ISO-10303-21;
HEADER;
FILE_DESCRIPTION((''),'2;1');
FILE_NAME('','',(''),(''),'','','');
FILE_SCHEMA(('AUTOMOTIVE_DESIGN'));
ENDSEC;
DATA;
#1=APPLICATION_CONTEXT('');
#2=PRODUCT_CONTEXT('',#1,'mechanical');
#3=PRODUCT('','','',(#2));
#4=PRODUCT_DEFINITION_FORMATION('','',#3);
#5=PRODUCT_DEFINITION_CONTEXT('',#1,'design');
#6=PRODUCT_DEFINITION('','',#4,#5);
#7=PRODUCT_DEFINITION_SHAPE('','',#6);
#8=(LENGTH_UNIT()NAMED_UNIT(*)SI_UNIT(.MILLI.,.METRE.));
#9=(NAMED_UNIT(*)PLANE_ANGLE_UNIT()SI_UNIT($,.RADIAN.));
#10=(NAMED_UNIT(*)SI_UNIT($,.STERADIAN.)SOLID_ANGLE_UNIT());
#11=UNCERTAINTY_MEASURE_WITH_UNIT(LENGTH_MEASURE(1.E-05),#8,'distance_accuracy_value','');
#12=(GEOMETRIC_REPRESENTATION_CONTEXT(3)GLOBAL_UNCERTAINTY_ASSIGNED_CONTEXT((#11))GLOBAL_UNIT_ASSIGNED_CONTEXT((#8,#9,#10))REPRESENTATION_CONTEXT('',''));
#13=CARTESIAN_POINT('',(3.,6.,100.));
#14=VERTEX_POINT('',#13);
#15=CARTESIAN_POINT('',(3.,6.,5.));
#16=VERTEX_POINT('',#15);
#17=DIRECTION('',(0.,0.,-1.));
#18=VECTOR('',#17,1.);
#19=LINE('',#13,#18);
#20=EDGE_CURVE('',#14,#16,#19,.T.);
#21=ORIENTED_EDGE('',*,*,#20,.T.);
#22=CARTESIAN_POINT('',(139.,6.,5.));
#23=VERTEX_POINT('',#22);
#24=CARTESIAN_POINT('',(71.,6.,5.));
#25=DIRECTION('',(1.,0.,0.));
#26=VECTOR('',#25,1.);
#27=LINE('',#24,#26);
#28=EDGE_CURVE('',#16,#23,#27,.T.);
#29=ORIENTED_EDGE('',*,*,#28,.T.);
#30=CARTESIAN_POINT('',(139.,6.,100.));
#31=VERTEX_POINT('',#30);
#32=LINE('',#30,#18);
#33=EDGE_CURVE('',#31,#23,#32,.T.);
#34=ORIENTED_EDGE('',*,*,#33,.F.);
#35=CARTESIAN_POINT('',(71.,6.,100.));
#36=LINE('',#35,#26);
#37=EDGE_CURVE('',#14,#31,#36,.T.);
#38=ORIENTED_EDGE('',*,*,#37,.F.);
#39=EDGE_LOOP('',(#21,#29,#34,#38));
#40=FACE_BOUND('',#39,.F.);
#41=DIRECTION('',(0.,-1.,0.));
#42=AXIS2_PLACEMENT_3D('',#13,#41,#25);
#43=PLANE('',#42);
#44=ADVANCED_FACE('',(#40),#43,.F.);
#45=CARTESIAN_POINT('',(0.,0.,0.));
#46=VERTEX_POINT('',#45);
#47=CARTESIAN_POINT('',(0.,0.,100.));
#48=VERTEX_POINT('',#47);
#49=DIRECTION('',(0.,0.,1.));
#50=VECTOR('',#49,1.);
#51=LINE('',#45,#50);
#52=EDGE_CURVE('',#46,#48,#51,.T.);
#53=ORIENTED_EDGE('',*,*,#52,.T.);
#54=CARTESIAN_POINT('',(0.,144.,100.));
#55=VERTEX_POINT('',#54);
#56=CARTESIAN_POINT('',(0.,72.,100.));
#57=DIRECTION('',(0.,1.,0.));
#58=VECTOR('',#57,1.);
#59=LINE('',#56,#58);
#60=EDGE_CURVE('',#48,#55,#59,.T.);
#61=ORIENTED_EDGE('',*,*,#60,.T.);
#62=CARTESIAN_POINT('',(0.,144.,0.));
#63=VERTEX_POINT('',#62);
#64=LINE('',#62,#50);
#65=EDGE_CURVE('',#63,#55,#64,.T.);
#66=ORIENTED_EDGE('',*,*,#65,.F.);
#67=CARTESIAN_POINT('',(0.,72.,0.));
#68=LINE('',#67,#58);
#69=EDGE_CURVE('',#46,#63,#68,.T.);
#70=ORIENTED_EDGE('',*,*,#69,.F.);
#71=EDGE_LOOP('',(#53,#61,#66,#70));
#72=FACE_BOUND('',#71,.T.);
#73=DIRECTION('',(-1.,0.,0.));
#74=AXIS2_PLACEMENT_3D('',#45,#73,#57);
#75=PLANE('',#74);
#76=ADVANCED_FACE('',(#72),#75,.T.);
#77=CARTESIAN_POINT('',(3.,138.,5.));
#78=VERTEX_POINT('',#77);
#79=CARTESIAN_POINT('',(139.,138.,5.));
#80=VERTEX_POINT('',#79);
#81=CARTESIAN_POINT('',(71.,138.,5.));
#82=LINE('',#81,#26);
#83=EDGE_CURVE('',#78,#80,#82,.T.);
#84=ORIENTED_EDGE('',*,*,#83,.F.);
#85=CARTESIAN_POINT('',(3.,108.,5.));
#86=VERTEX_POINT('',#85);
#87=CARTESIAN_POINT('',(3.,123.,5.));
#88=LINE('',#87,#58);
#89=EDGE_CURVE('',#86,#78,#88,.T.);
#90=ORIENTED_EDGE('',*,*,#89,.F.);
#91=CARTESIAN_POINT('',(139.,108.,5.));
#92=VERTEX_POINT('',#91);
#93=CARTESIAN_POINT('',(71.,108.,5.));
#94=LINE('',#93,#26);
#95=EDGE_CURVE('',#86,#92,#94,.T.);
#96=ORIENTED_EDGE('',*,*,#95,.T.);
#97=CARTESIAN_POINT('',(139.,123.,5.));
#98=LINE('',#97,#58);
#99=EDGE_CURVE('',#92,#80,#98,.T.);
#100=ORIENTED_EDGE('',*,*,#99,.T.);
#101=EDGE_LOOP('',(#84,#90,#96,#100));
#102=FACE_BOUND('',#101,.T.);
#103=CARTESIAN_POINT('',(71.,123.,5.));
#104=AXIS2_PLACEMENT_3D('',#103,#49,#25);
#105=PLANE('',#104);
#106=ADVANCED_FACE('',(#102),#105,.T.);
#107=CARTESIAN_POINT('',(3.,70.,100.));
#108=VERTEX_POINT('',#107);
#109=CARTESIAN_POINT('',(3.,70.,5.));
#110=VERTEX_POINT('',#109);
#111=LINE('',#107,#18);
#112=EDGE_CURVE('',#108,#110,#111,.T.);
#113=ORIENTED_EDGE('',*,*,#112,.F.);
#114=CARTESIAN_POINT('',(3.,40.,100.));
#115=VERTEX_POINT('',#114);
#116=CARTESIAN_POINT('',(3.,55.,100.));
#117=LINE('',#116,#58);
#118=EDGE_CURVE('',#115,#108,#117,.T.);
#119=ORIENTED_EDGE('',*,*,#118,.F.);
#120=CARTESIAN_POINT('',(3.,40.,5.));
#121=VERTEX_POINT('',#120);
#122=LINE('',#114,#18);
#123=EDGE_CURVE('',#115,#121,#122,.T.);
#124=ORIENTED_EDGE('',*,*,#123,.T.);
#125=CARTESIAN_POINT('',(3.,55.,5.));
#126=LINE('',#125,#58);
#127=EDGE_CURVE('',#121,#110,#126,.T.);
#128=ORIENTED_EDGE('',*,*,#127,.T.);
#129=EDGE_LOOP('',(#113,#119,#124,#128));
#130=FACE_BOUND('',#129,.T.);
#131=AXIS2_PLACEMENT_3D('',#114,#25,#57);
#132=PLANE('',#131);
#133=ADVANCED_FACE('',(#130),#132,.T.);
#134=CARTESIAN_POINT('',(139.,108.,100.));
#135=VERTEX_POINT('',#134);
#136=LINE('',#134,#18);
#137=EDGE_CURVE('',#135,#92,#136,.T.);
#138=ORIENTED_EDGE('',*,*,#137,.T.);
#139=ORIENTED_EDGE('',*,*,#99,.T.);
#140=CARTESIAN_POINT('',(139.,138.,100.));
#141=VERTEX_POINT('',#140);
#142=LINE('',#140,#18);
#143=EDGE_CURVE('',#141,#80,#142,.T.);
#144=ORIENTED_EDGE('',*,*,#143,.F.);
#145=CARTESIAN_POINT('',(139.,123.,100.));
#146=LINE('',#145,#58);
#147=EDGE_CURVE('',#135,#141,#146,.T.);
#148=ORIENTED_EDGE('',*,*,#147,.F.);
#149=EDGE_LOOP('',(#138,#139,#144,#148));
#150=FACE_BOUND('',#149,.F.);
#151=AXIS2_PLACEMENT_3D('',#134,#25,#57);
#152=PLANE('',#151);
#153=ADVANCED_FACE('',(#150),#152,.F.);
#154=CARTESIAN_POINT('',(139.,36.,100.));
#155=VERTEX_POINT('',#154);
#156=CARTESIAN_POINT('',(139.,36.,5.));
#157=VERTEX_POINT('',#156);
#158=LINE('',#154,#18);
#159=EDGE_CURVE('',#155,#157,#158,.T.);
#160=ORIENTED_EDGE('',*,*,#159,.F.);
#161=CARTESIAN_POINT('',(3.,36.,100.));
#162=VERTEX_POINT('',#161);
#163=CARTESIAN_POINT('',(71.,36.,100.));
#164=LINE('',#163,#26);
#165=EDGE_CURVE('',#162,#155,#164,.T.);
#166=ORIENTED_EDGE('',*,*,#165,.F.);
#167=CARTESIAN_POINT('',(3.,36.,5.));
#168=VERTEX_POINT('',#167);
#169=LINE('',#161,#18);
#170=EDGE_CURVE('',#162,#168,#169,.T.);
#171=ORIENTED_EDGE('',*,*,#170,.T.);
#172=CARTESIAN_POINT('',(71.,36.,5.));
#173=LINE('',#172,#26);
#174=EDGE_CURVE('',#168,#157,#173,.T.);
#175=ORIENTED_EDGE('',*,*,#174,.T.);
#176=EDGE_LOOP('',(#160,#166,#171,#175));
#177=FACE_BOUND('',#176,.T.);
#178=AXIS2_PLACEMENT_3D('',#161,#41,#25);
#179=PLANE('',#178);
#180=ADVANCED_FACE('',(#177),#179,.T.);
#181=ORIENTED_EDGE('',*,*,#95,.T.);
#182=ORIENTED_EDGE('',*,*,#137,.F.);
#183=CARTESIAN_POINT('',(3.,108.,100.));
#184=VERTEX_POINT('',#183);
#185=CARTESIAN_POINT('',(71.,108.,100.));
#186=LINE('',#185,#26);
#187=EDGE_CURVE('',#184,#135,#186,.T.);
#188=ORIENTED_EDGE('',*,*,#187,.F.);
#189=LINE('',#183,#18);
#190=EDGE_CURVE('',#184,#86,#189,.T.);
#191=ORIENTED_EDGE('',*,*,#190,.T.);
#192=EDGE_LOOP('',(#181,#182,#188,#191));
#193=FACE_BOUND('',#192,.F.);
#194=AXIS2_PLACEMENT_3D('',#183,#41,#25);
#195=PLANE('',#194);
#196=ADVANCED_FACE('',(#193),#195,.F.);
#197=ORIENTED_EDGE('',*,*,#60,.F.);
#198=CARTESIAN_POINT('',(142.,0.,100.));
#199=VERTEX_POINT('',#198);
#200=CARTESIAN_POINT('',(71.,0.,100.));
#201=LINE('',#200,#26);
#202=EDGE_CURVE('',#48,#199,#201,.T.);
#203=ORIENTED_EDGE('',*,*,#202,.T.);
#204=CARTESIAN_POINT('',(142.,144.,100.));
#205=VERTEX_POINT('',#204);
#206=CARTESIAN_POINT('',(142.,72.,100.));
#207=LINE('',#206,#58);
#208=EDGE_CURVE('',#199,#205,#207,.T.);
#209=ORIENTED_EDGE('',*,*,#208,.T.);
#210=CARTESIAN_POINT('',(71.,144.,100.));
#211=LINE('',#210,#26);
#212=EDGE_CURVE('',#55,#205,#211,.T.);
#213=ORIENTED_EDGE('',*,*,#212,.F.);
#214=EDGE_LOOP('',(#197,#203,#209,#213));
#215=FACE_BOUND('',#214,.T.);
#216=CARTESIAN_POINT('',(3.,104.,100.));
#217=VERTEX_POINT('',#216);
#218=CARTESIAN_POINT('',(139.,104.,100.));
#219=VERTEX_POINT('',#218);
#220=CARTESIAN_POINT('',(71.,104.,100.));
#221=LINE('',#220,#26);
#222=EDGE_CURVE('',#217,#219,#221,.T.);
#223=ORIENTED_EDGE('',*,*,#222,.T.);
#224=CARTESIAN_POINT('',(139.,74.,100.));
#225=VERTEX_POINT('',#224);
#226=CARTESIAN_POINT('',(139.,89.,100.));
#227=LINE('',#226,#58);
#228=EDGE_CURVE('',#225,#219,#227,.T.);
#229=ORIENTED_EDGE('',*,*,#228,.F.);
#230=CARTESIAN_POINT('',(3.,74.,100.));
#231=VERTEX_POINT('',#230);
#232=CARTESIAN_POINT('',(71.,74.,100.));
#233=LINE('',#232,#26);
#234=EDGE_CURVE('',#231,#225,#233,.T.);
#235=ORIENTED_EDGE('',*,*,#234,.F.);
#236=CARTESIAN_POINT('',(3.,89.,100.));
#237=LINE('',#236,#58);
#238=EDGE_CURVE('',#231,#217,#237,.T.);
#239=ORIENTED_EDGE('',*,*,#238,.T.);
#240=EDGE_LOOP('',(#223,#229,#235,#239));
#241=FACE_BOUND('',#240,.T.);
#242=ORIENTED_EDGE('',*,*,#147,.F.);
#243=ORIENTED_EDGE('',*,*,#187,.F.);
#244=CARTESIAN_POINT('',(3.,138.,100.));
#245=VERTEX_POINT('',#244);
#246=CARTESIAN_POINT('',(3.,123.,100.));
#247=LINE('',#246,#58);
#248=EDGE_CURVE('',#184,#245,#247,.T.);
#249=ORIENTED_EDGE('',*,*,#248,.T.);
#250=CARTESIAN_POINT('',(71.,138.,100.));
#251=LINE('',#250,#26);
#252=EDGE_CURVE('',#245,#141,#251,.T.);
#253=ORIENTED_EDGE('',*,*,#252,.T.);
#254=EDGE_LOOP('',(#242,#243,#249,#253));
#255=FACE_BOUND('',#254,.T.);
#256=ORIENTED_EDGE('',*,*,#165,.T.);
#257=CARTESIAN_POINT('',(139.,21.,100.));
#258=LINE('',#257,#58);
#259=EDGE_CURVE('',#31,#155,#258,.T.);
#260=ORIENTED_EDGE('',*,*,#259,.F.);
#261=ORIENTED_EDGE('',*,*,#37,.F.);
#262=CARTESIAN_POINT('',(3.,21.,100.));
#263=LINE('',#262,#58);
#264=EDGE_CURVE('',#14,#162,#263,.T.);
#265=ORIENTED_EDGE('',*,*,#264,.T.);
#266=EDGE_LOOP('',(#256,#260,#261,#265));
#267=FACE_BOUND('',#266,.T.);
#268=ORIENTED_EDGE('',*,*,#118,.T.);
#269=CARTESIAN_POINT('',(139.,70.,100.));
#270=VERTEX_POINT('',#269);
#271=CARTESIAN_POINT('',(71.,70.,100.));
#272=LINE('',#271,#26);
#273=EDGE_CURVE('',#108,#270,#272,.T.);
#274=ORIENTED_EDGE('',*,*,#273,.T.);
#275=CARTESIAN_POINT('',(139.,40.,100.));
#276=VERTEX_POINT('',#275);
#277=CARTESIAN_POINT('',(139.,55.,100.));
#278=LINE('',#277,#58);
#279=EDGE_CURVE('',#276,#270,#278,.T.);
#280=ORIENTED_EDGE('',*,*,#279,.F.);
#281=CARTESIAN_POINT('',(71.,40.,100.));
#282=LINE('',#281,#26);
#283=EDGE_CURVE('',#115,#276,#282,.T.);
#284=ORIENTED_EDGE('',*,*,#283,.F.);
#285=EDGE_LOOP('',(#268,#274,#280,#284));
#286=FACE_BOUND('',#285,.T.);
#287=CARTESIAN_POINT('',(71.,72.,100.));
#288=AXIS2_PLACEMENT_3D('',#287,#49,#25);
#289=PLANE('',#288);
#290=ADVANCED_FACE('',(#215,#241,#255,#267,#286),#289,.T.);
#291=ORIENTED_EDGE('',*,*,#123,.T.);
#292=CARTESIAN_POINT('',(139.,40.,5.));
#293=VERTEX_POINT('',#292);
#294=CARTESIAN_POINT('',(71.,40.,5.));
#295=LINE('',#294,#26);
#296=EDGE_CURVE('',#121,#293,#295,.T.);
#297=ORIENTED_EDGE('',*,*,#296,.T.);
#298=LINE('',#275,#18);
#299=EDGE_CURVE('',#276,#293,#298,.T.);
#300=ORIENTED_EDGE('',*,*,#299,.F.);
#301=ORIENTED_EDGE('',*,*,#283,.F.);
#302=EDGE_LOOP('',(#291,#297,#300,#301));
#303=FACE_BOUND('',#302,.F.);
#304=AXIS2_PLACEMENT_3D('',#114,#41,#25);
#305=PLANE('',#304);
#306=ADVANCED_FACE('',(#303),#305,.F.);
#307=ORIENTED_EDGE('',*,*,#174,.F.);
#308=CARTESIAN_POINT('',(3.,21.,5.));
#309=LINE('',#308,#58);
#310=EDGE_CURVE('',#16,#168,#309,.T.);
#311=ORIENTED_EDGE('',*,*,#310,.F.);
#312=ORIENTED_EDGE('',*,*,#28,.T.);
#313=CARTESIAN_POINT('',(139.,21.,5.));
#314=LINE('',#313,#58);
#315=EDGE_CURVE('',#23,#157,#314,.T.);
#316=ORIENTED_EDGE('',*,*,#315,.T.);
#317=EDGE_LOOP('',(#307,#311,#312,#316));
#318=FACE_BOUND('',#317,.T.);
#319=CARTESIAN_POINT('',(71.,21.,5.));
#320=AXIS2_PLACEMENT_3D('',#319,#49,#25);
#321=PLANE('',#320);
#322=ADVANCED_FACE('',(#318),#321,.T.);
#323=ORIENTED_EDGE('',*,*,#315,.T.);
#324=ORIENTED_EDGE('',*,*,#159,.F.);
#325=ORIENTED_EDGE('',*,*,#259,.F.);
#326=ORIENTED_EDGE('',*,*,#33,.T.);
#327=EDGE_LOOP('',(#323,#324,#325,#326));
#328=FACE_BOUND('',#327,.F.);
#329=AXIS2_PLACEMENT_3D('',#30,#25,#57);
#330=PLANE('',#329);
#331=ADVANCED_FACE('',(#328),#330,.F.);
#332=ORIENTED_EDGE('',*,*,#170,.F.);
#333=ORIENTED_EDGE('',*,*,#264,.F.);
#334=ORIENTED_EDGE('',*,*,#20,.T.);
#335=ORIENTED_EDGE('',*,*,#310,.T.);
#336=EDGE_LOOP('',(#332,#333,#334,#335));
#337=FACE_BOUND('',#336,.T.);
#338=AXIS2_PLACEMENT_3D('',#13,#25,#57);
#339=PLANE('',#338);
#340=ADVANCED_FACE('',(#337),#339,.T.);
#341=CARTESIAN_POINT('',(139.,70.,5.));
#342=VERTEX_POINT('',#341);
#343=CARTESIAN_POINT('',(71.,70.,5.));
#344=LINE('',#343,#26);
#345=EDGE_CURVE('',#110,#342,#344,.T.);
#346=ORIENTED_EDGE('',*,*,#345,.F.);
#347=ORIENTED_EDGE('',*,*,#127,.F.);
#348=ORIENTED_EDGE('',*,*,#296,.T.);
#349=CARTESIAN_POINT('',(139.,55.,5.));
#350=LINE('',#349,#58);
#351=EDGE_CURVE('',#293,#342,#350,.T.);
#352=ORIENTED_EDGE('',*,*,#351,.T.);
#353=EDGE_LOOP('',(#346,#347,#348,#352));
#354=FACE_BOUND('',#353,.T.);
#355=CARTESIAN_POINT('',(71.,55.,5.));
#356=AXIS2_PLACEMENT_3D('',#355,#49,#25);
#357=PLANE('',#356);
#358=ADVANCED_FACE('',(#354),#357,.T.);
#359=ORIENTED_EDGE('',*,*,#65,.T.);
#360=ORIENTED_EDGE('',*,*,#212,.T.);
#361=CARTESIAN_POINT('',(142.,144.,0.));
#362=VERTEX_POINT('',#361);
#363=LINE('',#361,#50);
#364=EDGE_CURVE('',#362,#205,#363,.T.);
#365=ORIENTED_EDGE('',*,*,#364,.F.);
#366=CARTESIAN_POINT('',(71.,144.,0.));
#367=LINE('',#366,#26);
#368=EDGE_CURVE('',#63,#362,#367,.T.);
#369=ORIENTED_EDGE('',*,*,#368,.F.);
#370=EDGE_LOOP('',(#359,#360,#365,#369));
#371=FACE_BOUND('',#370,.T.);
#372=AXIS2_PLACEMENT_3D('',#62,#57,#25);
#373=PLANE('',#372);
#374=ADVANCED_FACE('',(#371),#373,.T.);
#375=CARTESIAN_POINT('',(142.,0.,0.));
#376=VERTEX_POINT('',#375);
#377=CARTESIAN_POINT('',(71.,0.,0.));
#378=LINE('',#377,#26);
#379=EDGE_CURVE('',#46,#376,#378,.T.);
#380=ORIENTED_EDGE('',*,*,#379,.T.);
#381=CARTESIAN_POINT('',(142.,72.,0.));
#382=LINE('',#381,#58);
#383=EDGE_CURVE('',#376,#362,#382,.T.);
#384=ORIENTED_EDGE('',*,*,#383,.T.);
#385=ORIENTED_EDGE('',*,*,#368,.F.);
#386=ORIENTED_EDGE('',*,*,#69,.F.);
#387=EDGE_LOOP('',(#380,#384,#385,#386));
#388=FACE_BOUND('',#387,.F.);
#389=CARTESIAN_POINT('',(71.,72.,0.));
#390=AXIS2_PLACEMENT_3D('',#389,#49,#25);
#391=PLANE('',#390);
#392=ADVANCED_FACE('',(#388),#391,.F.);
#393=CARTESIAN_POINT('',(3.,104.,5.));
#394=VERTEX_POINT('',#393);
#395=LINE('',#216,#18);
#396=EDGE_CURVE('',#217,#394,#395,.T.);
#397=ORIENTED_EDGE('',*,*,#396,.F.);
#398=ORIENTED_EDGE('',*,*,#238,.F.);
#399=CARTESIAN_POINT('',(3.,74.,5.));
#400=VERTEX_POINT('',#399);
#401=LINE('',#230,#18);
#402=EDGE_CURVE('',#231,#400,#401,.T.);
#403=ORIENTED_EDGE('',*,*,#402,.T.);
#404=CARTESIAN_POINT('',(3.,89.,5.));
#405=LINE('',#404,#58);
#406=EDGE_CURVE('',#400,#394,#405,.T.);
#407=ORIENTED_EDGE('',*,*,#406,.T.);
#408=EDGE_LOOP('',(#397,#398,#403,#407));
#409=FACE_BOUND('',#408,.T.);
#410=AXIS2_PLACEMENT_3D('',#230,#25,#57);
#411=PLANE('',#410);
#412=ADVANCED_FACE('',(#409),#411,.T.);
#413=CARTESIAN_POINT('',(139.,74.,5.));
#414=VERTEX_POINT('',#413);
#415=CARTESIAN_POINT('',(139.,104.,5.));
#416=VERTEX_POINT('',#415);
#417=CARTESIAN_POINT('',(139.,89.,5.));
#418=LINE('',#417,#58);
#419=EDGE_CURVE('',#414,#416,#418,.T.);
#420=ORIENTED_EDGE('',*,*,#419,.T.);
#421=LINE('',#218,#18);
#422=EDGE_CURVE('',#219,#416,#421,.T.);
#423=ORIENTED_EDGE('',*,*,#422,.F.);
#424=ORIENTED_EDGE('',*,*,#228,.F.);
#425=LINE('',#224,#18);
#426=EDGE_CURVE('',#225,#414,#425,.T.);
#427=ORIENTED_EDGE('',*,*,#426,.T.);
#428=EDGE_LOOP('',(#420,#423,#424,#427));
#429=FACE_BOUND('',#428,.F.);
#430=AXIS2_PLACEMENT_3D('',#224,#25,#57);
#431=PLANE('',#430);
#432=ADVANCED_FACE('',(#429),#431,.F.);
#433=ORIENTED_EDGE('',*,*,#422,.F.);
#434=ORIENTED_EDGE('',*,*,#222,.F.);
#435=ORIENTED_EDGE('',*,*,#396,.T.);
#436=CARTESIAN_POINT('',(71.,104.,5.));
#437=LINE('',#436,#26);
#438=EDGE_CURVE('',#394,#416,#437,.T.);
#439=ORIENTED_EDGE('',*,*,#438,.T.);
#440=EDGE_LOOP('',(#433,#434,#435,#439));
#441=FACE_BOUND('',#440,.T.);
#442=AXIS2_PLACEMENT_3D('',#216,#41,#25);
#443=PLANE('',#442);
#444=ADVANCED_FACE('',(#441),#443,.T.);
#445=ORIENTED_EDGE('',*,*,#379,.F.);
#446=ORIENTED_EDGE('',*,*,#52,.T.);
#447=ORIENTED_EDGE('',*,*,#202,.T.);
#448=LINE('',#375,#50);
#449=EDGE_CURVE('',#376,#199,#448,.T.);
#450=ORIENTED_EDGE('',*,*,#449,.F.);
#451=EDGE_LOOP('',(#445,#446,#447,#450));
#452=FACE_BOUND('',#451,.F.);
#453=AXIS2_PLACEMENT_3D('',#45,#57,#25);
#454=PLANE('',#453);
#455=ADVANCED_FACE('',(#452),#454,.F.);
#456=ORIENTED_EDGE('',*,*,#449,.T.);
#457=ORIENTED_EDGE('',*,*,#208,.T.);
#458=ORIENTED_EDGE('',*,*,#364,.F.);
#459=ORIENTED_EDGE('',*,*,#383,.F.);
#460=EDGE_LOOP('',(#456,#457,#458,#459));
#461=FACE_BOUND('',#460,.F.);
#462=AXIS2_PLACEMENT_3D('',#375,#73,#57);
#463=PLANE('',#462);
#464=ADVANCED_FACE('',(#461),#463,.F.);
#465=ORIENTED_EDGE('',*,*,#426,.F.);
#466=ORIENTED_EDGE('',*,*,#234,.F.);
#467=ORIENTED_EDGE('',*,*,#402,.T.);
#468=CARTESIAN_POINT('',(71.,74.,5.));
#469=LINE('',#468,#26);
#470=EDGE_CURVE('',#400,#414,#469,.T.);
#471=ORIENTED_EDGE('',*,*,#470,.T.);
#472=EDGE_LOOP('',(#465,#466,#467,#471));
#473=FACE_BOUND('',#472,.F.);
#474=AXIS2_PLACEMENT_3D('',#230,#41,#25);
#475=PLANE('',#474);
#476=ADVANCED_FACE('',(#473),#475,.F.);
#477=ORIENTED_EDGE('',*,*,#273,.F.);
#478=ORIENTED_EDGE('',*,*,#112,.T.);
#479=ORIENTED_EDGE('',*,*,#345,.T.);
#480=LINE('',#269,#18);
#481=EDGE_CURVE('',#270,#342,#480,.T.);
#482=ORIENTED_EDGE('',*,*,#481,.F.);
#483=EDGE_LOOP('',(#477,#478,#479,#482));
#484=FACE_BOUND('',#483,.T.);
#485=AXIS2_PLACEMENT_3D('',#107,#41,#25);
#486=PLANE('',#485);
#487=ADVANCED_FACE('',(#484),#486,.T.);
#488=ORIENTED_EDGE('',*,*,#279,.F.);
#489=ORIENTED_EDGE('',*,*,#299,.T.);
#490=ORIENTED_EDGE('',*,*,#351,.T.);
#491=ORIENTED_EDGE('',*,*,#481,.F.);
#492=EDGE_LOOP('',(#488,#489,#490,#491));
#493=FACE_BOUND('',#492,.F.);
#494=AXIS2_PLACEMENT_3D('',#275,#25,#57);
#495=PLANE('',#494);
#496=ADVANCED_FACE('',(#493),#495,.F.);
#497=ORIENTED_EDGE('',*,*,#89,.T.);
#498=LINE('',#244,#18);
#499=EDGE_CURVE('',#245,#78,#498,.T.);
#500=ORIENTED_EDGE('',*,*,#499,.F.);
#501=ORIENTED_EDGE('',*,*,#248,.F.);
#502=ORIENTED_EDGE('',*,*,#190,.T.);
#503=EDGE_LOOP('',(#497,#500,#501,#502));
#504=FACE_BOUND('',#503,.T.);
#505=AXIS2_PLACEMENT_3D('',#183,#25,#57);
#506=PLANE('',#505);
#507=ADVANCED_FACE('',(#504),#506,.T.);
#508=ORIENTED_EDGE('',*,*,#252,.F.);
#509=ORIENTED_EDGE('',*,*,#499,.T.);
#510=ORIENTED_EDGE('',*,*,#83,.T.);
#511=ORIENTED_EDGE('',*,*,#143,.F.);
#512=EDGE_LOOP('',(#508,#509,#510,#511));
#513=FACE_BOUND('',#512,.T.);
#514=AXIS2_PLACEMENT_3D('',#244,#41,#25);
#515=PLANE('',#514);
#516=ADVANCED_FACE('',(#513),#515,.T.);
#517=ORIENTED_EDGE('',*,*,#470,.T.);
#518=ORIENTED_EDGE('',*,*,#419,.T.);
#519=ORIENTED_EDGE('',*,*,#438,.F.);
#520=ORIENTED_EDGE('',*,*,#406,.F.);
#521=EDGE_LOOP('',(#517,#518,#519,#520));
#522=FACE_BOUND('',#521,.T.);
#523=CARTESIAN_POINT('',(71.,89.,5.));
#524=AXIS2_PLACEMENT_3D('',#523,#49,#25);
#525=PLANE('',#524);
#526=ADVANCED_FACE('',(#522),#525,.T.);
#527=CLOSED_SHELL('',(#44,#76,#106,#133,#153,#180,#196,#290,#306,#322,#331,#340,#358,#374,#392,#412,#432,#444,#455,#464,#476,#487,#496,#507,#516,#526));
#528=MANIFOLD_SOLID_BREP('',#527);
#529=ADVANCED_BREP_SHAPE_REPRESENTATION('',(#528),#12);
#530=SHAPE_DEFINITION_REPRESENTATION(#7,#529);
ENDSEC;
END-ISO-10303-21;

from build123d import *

# Parameters (mm, degrees)
SKETCH_W     = 142
SKETCH_H     = 144
PAD_DEPTH    = 100
SKETCH001_W  = 136
SKETCH001_H  = 30
POCKET_DEPTH = 95


with BuildPart() as part:
    # Sketch → Pad (new body)
    with BuildSketch(Plane.XY):
        with Locations((71, 72)):
            Rectangle(SKETCH_W, SKETCH_H)
    extrude(amount=PAD_DEPTH)

    # Sketch001 (on Face6 of Pad) → Pocket (cut)
    with BuildSketch(Plane.XY.offset(100)):
        with Locations((71, 123)):
            Rectangle(SKETCH001_W, SKETCH001_H)
        with Locations((71, 89)):
            Rectangle(SKETCH001_W, SKETCH001_H)
        with Locations((71, 55)):
            Rectangle(SKETCH001_W, SKETCH001_H)
        with Locations((71, 21)):
            Rectangle(SKETCH001_W, SKETCH001_H)
    extrude(amount=-POCKET_DEPTH, mode=Mode.SUBTRACT)


solid = part.part
